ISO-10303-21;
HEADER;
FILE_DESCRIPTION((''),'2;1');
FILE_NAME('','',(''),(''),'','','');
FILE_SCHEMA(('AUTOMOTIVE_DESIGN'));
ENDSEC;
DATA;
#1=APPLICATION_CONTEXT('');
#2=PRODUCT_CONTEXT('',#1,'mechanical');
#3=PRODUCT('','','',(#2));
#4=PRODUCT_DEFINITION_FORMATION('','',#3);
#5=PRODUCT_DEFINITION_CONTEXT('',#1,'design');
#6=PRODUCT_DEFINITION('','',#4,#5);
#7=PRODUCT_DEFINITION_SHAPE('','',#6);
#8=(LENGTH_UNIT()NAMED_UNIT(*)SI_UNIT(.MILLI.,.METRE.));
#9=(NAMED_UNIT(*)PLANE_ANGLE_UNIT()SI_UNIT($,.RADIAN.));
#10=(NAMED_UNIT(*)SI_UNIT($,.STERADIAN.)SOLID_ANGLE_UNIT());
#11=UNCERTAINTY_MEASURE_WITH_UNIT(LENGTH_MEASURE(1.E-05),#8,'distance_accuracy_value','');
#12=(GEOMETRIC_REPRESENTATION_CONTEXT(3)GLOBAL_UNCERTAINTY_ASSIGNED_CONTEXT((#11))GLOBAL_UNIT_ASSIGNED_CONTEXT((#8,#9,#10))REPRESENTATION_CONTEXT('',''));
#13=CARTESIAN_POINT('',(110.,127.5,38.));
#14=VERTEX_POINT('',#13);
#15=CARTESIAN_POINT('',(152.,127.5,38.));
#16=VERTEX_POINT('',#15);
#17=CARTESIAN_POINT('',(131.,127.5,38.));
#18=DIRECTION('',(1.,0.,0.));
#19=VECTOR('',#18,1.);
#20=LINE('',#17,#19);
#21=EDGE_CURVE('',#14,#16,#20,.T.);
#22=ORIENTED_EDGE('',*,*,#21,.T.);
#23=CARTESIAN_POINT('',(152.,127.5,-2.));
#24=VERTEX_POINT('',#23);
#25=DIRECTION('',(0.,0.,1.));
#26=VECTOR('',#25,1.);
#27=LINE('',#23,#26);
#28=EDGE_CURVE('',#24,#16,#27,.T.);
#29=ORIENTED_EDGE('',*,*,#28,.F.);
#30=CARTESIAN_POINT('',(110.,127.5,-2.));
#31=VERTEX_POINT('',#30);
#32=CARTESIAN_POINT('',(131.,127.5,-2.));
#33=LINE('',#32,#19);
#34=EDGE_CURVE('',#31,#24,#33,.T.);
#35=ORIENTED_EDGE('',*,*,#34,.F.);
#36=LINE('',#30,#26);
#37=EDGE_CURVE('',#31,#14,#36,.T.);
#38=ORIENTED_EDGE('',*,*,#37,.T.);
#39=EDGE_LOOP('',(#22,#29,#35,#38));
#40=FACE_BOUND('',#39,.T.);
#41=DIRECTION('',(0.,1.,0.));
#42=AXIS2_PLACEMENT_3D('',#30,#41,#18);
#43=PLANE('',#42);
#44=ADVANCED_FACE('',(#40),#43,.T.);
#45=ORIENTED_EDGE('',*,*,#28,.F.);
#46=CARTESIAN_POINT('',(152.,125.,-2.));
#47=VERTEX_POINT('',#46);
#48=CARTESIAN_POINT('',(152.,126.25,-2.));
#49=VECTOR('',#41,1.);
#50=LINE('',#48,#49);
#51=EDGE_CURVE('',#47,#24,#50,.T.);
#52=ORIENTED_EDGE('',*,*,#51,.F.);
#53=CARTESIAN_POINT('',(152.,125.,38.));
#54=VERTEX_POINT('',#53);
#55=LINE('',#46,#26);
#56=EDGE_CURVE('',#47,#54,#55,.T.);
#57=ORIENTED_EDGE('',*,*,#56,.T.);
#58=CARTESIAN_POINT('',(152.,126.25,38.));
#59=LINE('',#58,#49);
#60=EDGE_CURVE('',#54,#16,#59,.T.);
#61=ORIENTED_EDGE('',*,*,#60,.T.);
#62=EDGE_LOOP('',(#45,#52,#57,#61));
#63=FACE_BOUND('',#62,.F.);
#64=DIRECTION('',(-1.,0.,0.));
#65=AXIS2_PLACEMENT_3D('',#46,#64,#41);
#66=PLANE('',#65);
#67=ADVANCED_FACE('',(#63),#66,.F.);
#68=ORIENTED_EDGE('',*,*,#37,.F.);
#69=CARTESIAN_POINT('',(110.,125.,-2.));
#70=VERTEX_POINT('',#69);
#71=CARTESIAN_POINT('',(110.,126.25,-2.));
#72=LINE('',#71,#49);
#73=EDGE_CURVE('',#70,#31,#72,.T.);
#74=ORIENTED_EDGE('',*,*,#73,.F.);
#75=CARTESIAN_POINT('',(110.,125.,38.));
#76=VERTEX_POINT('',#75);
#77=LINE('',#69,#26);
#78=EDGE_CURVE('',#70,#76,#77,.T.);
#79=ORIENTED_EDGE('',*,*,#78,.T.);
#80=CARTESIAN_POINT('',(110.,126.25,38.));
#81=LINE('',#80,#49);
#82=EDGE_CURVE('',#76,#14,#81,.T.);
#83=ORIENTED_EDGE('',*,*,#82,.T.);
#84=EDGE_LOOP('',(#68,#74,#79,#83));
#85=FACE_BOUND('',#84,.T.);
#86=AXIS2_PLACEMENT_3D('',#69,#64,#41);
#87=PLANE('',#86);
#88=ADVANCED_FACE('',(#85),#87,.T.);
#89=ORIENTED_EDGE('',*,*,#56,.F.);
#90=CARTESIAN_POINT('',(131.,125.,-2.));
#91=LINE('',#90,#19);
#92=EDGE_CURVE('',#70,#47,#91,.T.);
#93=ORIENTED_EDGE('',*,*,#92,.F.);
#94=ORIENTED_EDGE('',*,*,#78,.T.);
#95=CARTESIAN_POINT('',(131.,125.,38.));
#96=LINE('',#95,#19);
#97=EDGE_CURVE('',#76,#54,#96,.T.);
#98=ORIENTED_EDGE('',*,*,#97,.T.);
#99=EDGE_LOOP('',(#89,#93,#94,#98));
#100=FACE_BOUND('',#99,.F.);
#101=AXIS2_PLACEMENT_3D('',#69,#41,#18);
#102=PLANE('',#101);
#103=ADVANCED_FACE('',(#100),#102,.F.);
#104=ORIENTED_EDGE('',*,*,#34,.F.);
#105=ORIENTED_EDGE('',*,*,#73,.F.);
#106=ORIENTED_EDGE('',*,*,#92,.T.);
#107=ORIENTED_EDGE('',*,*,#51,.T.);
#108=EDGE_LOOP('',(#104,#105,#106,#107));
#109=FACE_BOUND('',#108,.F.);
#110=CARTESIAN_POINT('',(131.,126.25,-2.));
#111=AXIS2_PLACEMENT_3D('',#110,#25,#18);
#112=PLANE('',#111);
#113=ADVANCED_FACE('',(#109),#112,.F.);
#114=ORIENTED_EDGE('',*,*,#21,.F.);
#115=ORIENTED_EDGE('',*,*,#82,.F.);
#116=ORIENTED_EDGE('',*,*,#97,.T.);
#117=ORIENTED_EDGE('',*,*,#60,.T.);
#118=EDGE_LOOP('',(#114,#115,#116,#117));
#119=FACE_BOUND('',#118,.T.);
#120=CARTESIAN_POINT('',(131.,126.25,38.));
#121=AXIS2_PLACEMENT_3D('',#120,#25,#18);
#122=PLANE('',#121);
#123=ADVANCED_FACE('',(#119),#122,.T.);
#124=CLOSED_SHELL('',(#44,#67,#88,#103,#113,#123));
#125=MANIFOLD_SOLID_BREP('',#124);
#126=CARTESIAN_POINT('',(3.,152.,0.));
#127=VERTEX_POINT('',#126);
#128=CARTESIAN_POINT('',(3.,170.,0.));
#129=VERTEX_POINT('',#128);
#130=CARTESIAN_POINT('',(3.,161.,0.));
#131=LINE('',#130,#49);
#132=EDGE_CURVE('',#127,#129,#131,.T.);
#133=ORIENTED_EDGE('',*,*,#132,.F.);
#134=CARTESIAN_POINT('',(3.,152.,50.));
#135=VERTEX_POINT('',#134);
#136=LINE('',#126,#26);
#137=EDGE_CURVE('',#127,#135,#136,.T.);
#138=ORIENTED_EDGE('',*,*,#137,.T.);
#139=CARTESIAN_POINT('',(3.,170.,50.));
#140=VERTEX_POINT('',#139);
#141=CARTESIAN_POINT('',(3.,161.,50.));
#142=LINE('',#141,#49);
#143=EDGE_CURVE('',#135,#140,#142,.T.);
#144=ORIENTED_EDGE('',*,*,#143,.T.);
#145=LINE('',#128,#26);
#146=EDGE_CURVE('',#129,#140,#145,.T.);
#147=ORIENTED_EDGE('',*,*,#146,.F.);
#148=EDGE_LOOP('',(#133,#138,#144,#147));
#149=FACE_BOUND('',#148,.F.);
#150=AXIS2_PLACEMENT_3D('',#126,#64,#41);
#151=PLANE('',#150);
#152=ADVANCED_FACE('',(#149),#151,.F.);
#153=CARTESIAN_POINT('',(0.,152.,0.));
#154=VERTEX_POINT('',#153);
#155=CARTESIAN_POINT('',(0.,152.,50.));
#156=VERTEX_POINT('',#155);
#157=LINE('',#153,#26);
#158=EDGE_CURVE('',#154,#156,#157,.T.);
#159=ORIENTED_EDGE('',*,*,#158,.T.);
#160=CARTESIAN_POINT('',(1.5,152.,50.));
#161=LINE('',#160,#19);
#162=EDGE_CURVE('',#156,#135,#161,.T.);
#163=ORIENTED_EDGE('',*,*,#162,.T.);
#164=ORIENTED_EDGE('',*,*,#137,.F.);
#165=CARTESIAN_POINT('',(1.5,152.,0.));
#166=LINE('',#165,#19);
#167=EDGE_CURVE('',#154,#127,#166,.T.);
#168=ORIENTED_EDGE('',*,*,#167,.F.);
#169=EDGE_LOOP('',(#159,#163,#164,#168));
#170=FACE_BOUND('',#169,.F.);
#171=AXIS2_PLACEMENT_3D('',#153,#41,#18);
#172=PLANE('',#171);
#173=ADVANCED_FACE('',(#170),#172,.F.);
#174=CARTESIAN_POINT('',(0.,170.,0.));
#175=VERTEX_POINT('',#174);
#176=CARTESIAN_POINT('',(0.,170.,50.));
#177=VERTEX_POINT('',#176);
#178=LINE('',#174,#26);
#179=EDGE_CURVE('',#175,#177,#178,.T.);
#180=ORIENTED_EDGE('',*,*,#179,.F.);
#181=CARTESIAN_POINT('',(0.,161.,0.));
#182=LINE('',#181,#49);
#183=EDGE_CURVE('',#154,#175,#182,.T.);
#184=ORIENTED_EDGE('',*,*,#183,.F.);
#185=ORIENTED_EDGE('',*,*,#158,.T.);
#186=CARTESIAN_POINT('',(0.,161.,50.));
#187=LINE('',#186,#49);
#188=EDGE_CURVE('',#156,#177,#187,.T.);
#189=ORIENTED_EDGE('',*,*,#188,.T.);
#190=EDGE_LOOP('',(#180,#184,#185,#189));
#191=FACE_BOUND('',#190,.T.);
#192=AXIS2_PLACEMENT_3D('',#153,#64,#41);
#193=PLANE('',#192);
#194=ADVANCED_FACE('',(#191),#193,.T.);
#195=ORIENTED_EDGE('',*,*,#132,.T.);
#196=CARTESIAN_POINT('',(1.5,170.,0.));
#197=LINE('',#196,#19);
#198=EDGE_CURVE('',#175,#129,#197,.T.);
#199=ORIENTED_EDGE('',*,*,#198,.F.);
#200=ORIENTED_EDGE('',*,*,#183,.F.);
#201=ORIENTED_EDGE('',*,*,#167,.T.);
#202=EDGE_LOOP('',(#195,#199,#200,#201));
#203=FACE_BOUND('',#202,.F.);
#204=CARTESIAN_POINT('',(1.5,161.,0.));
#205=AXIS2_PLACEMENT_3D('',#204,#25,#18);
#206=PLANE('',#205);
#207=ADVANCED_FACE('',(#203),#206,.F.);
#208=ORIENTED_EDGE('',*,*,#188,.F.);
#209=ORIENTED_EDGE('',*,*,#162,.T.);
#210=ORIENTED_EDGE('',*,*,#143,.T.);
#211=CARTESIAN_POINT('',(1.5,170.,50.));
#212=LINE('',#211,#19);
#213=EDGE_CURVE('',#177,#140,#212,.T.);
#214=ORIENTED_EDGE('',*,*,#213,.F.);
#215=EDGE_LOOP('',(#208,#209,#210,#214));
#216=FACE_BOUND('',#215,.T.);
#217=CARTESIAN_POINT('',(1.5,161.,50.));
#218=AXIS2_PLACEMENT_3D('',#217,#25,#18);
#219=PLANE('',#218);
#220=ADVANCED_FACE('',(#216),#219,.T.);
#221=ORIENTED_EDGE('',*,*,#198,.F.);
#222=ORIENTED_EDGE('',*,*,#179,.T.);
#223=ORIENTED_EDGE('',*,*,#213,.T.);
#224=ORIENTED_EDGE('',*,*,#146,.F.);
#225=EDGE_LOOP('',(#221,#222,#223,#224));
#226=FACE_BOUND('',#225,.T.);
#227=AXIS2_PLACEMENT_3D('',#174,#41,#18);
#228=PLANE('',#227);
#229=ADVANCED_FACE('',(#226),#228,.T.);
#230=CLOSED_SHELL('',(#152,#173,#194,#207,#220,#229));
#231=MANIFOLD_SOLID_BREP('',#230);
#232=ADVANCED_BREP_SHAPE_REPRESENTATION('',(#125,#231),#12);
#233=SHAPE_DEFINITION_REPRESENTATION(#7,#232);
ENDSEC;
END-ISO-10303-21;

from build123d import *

# Parameters (mm, degrees)
BOX001_W     = 42
BOX001_H     = 2.5
BOX001_DEPTH = 40
BOX002_W     = 3
BOX002_H     = 18
BOX002_DEPTH = 50


with BuildPart() as flansch:
    # Box001 → Box001 (new body)
    with BuildSketch(Plane(origin=(110, 125, -2), x_dir=(1, 0, 0), z_dir=(0, 0, 1))):
        with Locations((21, 1.25)):
            Rectangle(BOX001_W, BOX001_H)
    extrude(amount=BOX001_DEPTH)


with BuildPart() as fusion002:
    # Box002 → Box002 (new body)
    with BuildSketch(Plane(origin=(0, 152, 0), x_dir=(1, 0, 0), z_dir=(0, 0, 1))):
        with Locations((1.5, 9)):
            Rectangle(BOX002_W, BOX002_H)
    extrude(amount=BOX002_DEPTH)

    # Fusion002: union Flansch
    add(flansch.part)


solid = fusion002.part
